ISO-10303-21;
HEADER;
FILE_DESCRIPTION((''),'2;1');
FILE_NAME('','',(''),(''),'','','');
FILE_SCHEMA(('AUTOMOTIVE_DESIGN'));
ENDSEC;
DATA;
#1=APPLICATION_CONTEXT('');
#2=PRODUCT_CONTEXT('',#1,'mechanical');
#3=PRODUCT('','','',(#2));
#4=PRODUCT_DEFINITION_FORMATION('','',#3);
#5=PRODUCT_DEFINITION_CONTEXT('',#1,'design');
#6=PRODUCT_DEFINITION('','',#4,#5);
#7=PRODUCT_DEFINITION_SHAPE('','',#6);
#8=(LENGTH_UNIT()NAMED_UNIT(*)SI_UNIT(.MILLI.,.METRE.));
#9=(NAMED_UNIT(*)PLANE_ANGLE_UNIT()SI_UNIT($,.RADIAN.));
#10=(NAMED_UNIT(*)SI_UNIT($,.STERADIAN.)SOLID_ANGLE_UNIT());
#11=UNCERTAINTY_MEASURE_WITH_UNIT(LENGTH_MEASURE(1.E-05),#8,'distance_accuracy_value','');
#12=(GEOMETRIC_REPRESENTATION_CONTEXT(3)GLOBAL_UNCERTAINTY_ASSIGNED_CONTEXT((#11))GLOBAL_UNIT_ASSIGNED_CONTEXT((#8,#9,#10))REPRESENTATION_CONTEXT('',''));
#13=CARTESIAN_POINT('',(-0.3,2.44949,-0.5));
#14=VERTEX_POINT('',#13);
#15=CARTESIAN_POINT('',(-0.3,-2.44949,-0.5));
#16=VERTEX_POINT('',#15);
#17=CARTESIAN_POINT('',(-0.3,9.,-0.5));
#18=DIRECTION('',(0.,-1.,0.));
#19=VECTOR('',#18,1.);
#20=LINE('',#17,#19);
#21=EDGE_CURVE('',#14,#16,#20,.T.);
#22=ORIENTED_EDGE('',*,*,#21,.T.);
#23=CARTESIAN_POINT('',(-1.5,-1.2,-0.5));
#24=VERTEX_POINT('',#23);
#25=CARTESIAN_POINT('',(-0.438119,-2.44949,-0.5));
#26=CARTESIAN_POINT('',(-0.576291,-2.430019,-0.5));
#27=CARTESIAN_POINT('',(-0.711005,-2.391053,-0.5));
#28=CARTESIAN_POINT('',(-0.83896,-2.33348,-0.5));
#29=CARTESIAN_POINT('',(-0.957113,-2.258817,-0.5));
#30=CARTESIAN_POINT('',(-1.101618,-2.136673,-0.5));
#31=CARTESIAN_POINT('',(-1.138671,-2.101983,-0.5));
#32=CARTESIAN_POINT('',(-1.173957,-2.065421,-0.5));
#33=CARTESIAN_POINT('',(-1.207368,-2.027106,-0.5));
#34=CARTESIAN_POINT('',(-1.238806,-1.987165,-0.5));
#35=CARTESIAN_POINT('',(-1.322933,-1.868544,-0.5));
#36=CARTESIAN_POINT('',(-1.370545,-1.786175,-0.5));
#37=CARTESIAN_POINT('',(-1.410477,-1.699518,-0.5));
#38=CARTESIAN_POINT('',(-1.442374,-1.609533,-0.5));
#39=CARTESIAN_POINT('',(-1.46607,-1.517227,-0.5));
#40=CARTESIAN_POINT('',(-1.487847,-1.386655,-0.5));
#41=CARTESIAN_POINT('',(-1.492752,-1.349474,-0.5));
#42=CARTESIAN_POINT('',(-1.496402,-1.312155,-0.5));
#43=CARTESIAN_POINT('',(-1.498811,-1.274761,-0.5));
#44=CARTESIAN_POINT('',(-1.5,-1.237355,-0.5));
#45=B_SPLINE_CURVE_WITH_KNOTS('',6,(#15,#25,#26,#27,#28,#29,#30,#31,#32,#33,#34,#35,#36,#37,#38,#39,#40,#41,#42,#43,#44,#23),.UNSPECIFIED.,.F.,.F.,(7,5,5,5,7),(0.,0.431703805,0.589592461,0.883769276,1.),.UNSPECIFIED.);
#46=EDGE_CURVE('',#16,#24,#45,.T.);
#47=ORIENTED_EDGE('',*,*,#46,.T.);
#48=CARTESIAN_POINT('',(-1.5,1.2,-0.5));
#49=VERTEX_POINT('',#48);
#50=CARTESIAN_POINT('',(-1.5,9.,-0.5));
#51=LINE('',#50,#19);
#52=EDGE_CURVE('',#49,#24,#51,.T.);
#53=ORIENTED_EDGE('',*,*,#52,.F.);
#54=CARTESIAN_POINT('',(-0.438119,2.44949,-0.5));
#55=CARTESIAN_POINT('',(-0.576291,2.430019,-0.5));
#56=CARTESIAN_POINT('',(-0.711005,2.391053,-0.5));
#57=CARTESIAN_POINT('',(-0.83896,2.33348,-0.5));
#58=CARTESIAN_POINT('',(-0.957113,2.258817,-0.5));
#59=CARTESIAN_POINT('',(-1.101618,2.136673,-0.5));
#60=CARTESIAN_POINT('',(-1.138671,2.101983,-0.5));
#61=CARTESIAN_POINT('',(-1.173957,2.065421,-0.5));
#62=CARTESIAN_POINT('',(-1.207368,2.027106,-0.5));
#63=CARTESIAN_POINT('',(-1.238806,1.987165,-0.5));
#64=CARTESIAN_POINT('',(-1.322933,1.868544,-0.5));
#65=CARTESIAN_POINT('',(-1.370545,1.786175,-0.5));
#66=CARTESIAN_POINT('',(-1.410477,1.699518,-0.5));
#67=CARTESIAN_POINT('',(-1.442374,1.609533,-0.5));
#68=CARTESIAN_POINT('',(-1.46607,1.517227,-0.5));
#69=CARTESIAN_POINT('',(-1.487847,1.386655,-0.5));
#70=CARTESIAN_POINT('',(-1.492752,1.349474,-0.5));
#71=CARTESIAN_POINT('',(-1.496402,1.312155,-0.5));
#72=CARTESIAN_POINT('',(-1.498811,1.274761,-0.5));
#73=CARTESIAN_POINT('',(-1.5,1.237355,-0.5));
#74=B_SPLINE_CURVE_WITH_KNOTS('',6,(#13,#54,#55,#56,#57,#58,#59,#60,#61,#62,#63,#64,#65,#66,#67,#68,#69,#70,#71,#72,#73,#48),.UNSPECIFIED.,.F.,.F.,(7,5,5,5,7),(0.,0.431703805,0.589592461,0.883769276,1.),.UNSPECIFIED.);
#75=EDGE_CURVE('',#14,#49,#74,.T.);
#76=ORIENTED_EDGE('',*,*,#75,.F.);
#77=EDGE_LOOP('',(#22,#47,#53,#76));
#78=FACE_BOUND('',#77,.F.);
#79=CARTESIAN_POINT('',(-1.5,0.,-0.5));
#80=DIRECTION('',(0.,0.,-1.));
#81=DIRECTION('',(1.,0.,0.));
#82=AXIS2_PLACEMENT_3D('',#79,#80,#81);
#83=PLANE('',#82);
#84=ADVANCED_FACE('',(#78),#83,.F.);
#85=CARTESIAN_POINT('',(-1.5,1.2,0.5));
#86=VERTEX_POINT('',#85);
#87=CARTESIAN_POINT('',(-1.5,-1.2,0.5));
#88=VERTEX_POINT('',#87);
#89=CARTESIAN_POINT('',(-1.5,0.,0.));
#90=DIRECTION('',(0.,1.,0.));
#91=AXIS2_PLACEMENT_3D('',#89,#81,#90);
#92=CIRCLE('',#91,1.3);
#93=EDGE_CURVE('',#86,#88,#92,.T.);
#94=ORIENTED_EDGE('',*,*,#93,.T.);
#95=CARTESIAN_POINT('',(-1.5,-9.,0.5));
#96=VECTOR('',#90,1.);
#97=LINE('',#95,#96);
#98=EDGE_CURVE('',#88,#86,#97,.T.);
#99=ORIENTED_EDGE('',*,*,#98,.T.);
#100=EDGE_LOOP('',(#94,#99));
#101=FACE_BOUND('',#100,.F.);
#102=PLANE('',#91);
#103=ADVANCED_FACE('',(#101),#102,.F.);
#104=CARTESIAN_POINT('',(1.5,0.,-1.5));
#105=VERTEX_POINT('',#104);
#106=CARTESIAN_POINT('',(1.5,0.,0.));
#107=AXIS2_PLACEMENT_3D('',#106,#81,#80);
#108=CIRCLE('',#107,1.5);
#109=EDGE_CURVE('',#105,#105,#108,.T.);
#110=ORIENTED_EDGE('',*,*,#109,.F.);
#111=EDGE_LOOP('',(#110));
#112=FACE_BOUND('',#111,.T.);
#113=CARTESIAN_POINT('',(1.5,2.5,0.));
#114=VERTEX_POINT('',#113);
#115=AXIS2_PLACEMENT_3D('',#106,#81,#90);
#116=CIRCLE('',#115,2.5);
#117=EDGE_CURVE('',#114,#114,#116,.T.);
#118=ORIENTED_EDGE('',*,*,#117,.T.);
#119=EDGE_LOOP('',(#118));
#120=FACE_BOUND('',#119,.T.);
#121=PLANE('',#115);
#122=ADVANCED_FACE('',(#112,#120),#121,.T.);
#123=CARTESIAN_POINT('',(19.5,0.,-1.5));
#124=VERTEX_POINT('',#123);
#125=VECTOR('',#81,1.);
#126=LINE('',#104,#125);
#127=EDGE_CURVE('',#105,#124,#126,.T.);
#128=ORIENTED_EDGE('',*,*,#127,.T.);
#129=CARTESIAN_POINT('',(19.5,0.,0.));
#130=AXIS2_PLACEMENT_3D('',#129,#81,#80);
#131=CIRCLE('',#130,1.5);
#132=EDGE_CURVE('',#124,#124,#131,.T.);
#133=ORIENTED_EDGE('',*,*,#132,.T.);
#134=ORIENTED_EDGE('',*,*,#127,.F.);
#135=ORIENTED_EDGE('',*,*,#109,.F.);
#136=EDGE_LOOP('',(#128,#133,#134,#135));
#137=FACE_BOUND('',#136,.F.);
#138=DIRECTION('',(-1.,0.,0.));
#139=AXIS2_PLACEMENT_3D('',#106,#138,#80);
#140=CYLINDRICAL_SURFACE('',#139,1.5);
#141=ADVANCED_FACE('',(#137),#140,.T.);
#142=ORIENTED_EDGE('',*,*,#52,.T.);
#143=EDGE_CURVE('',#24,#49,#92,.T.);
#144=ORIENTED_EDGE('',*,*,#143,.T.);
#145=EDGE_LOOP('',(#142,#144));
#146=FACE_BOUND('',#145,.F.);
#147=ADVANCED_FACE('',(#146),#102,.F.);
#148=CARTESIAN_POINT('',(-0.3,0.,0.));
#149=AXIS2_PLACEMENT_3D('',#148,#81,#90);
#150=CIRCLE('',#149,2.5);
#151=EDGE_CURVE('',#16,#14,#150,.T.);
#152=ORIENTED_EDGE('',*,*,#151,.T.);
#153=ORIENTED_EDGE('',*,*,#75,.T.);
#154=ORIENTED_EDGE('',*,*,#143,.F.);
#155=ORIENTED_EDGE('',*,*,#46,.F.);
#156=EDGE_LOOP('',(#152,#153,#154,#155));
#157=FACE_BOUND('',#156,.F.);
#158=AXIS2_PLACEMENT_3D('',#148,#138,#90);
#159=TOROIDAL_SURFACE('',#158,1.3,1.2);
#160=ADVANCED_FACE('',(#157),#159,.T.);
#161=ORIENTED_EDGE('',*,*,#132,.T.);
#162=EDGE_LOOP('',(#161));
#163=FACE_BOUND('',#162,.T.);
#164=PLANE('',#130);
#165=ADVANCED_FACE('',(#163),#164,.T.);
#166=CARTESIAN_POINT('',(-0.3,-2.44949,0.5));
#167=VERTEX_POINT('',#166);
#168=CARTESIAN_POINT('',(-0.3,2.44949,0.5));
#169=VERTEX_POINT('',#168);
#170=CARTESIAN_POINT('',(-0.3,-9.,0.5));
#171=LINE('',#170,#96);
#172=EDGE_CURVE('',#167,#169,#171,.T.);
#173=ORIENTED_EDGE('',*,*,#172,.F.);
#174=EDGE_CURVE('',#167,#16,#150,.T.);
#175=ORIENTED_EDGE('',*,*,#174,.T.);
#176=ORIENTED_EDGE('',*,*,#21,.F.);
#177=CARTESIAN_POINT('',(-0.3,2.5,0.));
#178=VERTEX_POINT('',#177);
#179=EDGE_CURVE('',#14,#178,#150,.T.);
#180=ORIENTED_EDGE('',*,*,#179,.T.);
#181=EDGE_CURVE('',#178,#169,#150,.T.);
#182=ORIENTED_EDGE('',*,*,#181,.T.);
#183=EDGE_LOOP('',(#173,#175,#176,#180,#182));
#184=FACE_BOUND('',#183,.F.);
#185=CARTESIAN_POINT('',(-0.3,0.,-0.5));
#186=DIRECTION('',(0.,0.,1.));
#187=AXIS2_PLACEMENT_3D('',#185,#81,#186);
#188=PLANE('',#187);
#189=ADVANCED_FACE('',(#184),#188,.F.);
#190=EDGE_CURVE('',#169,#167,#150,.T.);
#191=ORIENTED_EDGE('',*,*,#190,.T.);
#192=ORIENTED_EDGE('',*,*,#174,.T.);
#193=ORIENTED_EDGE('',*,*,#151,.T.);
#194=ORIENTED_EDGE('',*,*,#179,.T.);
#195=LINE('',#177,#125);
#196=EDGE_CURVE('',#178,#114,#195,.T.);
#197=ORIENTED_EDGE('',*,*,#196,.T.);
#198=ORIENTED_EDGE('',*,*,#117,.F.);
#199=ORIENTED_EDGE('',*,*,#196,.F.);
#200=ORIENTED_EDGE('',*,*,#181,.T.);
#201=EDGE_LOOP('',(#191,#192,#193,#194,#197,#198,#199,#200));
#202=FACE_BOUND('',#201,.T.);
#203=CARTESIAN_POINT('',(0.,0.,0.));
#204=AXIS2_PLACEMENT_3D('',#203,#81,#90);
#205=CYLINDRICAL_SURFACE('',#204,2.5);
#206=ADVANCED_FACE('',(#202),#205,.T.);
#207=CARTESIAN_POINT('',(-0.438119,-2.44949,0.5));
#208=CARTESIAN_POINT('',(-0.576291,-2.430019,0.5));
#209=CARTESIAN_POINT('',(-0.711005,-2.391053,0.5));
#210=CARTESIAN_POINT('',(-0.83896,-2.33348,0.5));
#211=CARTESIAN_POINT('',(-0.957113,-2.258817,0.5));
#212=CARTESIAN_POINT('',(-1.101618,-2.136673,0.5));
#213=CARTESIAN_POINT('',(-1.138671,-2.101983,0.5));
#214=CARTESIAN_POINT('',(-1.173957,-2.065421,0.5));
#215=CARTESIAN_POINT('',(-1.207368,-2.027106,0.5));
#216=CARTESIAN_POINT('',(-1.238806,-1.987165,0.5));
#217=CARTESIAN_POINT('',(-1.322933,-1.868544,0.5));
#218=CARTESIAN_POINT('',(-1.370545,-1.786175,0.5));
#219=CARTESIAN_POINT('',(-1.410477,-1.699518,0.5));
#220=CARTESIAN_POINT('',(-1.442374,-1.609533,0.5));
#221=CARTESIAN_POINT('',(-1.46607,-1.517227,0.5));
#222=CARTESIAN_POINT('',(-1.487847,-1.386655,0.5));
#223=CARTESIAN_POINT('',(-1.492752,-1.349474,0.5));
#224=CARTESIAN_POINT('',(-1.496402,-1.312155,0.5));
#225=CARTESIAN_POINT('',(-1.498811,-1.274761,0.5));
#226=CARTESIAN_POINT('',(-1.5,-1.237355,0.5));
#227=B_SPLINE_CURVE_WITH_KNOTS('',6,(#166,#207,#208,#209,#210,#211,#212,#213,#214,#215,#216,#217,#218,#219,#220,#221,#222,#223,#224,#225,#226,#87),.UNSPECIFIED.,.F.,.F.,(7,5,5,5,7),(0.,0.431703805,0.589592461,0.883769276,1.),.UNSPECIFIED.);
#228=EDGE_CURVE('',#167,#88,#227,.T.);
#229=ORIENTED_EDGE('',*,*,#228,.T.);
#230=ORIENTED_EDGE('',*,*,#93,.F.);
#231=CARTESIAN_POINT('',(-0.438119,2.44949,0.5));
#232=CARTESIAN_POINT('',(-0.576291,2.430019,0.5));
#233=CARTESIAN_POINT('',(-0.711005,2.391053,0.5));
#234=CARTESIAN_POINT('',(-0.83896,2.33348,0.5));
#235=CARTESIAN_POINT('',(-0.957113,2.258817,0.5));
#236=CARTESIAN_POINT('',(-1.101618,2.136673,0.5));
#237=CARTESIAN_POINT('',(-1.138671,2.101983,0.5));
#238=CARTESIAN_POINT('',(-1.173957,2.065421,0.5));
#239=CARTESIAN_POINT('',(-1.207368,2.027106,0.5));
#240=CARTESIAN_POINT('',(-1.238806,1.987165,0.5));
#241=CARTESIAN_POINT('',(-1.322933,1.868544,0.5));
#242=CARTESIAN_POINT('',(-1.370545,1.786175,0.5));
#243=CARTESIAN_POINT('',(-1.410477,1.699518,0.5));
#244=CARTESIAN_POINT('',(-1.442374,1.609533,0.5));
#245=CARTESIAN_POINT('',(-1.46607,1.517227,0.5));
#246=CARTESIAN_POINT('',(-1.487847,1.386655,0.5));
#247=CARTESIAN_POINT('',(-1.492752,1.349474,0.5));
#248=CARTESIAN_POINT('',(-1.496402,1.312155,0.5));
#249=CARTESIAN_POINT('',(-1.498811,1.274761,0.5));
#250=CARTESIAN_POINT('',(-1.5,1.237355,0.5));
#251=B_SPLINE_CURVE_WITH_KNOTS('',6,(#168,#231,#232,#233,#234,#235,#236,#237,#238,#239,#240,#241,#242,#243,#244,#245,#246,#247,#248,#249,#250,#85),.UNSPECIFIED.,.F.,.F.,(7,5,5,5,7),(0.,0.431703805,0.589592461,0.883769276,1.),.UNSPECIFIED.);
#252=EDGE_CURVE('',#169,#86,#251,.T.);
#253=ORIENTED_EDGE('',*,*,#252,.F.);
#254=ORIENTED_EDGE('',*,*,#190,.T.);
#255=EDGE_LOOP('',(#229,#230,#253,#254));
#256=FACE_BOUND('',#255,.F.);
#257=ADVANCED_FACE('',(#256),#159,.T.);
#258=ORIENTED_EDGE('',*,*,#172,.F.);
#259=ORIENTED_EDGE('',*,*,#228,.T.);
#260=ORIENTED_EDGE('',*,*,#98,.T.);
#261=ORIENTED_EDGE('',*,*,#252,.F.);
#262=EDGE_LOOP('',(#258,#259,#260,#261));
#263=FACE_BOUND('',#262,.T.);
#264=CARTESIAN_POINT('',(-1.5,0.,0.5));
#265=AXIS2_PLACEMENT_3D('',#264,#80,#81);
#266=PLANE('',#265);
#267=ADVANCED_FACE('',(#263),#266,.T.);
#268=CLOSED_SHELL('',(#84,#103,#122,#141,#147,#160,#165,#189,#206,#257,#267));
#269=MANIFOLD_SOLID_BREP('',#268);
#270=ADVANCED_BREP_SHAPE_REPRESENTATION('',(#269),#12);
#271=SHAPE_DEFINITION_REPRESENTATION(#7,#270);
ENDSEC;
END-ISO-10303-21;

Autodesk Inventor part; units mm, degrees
ref_plane "YZ Plane" through (0, 0, 0) normal (1, 0, 0) x (0, 1, 0)
ref_plane "XZ Plane" through (0, 0, 0) normal (0, 1, 0) x (-1, 0, 0)
ref_plane "XY Plane" through (0, 0, 0) normal (0, 0, 1) x (1, 0, 0)
sketch "Sketch1" plane through (0, 0, 0) normal (1, 0, 0) x (0, 1, 0)
  circle A0 centre (0, 0) radius 2.5
extrude "Extrusion1" add sketch "Sketch1" along normal mid plane 3
sketch "Sketch2" plane through (1.5, 0, 0) normal (1, 0, 0) x (0, 0, -1)
  circle A0 centre (0, 0) radius 1.5
extrude "Extrusion2" add sketch "Sketch2" along normal blind 18
fillet "Fillet1" radius 1.2 1 edges at (-1.5, -2.5, 0)
sketch "Sketch3" plane through (0, 0, 0) normal (0, 1, 0) x (-1, 0, 0)
  line L0 (1.5, 1.3) -> (1.5, -1.3) projected
  line L1 (0.3, -2.5) -> (0.3, 2.5) projected
  line L2 (1.5, 0.5) -> (0.3, 0.5)
  line L3 (1.5, -0.5) -> (0.3, -0.5)
  line L4 (1.5, -0.5) -> (1.5, 0.5)
  line L5 (0.3, 0.5) -> (0.3, -0.5)
  point P0 (0, 0)
extrude "Extrusion3" cut sketch "Sketch3" along normal mid plane 18
thread "Thread1" size "M3x0.5" class "6g" standard "ANSI Metric M Profile" full length
thread "Thread2" size "M3x0.5" class "6g" standard "ANSI Metric M Profile" full length
properties part number "parafuso do captador( necessita de reparo)"
